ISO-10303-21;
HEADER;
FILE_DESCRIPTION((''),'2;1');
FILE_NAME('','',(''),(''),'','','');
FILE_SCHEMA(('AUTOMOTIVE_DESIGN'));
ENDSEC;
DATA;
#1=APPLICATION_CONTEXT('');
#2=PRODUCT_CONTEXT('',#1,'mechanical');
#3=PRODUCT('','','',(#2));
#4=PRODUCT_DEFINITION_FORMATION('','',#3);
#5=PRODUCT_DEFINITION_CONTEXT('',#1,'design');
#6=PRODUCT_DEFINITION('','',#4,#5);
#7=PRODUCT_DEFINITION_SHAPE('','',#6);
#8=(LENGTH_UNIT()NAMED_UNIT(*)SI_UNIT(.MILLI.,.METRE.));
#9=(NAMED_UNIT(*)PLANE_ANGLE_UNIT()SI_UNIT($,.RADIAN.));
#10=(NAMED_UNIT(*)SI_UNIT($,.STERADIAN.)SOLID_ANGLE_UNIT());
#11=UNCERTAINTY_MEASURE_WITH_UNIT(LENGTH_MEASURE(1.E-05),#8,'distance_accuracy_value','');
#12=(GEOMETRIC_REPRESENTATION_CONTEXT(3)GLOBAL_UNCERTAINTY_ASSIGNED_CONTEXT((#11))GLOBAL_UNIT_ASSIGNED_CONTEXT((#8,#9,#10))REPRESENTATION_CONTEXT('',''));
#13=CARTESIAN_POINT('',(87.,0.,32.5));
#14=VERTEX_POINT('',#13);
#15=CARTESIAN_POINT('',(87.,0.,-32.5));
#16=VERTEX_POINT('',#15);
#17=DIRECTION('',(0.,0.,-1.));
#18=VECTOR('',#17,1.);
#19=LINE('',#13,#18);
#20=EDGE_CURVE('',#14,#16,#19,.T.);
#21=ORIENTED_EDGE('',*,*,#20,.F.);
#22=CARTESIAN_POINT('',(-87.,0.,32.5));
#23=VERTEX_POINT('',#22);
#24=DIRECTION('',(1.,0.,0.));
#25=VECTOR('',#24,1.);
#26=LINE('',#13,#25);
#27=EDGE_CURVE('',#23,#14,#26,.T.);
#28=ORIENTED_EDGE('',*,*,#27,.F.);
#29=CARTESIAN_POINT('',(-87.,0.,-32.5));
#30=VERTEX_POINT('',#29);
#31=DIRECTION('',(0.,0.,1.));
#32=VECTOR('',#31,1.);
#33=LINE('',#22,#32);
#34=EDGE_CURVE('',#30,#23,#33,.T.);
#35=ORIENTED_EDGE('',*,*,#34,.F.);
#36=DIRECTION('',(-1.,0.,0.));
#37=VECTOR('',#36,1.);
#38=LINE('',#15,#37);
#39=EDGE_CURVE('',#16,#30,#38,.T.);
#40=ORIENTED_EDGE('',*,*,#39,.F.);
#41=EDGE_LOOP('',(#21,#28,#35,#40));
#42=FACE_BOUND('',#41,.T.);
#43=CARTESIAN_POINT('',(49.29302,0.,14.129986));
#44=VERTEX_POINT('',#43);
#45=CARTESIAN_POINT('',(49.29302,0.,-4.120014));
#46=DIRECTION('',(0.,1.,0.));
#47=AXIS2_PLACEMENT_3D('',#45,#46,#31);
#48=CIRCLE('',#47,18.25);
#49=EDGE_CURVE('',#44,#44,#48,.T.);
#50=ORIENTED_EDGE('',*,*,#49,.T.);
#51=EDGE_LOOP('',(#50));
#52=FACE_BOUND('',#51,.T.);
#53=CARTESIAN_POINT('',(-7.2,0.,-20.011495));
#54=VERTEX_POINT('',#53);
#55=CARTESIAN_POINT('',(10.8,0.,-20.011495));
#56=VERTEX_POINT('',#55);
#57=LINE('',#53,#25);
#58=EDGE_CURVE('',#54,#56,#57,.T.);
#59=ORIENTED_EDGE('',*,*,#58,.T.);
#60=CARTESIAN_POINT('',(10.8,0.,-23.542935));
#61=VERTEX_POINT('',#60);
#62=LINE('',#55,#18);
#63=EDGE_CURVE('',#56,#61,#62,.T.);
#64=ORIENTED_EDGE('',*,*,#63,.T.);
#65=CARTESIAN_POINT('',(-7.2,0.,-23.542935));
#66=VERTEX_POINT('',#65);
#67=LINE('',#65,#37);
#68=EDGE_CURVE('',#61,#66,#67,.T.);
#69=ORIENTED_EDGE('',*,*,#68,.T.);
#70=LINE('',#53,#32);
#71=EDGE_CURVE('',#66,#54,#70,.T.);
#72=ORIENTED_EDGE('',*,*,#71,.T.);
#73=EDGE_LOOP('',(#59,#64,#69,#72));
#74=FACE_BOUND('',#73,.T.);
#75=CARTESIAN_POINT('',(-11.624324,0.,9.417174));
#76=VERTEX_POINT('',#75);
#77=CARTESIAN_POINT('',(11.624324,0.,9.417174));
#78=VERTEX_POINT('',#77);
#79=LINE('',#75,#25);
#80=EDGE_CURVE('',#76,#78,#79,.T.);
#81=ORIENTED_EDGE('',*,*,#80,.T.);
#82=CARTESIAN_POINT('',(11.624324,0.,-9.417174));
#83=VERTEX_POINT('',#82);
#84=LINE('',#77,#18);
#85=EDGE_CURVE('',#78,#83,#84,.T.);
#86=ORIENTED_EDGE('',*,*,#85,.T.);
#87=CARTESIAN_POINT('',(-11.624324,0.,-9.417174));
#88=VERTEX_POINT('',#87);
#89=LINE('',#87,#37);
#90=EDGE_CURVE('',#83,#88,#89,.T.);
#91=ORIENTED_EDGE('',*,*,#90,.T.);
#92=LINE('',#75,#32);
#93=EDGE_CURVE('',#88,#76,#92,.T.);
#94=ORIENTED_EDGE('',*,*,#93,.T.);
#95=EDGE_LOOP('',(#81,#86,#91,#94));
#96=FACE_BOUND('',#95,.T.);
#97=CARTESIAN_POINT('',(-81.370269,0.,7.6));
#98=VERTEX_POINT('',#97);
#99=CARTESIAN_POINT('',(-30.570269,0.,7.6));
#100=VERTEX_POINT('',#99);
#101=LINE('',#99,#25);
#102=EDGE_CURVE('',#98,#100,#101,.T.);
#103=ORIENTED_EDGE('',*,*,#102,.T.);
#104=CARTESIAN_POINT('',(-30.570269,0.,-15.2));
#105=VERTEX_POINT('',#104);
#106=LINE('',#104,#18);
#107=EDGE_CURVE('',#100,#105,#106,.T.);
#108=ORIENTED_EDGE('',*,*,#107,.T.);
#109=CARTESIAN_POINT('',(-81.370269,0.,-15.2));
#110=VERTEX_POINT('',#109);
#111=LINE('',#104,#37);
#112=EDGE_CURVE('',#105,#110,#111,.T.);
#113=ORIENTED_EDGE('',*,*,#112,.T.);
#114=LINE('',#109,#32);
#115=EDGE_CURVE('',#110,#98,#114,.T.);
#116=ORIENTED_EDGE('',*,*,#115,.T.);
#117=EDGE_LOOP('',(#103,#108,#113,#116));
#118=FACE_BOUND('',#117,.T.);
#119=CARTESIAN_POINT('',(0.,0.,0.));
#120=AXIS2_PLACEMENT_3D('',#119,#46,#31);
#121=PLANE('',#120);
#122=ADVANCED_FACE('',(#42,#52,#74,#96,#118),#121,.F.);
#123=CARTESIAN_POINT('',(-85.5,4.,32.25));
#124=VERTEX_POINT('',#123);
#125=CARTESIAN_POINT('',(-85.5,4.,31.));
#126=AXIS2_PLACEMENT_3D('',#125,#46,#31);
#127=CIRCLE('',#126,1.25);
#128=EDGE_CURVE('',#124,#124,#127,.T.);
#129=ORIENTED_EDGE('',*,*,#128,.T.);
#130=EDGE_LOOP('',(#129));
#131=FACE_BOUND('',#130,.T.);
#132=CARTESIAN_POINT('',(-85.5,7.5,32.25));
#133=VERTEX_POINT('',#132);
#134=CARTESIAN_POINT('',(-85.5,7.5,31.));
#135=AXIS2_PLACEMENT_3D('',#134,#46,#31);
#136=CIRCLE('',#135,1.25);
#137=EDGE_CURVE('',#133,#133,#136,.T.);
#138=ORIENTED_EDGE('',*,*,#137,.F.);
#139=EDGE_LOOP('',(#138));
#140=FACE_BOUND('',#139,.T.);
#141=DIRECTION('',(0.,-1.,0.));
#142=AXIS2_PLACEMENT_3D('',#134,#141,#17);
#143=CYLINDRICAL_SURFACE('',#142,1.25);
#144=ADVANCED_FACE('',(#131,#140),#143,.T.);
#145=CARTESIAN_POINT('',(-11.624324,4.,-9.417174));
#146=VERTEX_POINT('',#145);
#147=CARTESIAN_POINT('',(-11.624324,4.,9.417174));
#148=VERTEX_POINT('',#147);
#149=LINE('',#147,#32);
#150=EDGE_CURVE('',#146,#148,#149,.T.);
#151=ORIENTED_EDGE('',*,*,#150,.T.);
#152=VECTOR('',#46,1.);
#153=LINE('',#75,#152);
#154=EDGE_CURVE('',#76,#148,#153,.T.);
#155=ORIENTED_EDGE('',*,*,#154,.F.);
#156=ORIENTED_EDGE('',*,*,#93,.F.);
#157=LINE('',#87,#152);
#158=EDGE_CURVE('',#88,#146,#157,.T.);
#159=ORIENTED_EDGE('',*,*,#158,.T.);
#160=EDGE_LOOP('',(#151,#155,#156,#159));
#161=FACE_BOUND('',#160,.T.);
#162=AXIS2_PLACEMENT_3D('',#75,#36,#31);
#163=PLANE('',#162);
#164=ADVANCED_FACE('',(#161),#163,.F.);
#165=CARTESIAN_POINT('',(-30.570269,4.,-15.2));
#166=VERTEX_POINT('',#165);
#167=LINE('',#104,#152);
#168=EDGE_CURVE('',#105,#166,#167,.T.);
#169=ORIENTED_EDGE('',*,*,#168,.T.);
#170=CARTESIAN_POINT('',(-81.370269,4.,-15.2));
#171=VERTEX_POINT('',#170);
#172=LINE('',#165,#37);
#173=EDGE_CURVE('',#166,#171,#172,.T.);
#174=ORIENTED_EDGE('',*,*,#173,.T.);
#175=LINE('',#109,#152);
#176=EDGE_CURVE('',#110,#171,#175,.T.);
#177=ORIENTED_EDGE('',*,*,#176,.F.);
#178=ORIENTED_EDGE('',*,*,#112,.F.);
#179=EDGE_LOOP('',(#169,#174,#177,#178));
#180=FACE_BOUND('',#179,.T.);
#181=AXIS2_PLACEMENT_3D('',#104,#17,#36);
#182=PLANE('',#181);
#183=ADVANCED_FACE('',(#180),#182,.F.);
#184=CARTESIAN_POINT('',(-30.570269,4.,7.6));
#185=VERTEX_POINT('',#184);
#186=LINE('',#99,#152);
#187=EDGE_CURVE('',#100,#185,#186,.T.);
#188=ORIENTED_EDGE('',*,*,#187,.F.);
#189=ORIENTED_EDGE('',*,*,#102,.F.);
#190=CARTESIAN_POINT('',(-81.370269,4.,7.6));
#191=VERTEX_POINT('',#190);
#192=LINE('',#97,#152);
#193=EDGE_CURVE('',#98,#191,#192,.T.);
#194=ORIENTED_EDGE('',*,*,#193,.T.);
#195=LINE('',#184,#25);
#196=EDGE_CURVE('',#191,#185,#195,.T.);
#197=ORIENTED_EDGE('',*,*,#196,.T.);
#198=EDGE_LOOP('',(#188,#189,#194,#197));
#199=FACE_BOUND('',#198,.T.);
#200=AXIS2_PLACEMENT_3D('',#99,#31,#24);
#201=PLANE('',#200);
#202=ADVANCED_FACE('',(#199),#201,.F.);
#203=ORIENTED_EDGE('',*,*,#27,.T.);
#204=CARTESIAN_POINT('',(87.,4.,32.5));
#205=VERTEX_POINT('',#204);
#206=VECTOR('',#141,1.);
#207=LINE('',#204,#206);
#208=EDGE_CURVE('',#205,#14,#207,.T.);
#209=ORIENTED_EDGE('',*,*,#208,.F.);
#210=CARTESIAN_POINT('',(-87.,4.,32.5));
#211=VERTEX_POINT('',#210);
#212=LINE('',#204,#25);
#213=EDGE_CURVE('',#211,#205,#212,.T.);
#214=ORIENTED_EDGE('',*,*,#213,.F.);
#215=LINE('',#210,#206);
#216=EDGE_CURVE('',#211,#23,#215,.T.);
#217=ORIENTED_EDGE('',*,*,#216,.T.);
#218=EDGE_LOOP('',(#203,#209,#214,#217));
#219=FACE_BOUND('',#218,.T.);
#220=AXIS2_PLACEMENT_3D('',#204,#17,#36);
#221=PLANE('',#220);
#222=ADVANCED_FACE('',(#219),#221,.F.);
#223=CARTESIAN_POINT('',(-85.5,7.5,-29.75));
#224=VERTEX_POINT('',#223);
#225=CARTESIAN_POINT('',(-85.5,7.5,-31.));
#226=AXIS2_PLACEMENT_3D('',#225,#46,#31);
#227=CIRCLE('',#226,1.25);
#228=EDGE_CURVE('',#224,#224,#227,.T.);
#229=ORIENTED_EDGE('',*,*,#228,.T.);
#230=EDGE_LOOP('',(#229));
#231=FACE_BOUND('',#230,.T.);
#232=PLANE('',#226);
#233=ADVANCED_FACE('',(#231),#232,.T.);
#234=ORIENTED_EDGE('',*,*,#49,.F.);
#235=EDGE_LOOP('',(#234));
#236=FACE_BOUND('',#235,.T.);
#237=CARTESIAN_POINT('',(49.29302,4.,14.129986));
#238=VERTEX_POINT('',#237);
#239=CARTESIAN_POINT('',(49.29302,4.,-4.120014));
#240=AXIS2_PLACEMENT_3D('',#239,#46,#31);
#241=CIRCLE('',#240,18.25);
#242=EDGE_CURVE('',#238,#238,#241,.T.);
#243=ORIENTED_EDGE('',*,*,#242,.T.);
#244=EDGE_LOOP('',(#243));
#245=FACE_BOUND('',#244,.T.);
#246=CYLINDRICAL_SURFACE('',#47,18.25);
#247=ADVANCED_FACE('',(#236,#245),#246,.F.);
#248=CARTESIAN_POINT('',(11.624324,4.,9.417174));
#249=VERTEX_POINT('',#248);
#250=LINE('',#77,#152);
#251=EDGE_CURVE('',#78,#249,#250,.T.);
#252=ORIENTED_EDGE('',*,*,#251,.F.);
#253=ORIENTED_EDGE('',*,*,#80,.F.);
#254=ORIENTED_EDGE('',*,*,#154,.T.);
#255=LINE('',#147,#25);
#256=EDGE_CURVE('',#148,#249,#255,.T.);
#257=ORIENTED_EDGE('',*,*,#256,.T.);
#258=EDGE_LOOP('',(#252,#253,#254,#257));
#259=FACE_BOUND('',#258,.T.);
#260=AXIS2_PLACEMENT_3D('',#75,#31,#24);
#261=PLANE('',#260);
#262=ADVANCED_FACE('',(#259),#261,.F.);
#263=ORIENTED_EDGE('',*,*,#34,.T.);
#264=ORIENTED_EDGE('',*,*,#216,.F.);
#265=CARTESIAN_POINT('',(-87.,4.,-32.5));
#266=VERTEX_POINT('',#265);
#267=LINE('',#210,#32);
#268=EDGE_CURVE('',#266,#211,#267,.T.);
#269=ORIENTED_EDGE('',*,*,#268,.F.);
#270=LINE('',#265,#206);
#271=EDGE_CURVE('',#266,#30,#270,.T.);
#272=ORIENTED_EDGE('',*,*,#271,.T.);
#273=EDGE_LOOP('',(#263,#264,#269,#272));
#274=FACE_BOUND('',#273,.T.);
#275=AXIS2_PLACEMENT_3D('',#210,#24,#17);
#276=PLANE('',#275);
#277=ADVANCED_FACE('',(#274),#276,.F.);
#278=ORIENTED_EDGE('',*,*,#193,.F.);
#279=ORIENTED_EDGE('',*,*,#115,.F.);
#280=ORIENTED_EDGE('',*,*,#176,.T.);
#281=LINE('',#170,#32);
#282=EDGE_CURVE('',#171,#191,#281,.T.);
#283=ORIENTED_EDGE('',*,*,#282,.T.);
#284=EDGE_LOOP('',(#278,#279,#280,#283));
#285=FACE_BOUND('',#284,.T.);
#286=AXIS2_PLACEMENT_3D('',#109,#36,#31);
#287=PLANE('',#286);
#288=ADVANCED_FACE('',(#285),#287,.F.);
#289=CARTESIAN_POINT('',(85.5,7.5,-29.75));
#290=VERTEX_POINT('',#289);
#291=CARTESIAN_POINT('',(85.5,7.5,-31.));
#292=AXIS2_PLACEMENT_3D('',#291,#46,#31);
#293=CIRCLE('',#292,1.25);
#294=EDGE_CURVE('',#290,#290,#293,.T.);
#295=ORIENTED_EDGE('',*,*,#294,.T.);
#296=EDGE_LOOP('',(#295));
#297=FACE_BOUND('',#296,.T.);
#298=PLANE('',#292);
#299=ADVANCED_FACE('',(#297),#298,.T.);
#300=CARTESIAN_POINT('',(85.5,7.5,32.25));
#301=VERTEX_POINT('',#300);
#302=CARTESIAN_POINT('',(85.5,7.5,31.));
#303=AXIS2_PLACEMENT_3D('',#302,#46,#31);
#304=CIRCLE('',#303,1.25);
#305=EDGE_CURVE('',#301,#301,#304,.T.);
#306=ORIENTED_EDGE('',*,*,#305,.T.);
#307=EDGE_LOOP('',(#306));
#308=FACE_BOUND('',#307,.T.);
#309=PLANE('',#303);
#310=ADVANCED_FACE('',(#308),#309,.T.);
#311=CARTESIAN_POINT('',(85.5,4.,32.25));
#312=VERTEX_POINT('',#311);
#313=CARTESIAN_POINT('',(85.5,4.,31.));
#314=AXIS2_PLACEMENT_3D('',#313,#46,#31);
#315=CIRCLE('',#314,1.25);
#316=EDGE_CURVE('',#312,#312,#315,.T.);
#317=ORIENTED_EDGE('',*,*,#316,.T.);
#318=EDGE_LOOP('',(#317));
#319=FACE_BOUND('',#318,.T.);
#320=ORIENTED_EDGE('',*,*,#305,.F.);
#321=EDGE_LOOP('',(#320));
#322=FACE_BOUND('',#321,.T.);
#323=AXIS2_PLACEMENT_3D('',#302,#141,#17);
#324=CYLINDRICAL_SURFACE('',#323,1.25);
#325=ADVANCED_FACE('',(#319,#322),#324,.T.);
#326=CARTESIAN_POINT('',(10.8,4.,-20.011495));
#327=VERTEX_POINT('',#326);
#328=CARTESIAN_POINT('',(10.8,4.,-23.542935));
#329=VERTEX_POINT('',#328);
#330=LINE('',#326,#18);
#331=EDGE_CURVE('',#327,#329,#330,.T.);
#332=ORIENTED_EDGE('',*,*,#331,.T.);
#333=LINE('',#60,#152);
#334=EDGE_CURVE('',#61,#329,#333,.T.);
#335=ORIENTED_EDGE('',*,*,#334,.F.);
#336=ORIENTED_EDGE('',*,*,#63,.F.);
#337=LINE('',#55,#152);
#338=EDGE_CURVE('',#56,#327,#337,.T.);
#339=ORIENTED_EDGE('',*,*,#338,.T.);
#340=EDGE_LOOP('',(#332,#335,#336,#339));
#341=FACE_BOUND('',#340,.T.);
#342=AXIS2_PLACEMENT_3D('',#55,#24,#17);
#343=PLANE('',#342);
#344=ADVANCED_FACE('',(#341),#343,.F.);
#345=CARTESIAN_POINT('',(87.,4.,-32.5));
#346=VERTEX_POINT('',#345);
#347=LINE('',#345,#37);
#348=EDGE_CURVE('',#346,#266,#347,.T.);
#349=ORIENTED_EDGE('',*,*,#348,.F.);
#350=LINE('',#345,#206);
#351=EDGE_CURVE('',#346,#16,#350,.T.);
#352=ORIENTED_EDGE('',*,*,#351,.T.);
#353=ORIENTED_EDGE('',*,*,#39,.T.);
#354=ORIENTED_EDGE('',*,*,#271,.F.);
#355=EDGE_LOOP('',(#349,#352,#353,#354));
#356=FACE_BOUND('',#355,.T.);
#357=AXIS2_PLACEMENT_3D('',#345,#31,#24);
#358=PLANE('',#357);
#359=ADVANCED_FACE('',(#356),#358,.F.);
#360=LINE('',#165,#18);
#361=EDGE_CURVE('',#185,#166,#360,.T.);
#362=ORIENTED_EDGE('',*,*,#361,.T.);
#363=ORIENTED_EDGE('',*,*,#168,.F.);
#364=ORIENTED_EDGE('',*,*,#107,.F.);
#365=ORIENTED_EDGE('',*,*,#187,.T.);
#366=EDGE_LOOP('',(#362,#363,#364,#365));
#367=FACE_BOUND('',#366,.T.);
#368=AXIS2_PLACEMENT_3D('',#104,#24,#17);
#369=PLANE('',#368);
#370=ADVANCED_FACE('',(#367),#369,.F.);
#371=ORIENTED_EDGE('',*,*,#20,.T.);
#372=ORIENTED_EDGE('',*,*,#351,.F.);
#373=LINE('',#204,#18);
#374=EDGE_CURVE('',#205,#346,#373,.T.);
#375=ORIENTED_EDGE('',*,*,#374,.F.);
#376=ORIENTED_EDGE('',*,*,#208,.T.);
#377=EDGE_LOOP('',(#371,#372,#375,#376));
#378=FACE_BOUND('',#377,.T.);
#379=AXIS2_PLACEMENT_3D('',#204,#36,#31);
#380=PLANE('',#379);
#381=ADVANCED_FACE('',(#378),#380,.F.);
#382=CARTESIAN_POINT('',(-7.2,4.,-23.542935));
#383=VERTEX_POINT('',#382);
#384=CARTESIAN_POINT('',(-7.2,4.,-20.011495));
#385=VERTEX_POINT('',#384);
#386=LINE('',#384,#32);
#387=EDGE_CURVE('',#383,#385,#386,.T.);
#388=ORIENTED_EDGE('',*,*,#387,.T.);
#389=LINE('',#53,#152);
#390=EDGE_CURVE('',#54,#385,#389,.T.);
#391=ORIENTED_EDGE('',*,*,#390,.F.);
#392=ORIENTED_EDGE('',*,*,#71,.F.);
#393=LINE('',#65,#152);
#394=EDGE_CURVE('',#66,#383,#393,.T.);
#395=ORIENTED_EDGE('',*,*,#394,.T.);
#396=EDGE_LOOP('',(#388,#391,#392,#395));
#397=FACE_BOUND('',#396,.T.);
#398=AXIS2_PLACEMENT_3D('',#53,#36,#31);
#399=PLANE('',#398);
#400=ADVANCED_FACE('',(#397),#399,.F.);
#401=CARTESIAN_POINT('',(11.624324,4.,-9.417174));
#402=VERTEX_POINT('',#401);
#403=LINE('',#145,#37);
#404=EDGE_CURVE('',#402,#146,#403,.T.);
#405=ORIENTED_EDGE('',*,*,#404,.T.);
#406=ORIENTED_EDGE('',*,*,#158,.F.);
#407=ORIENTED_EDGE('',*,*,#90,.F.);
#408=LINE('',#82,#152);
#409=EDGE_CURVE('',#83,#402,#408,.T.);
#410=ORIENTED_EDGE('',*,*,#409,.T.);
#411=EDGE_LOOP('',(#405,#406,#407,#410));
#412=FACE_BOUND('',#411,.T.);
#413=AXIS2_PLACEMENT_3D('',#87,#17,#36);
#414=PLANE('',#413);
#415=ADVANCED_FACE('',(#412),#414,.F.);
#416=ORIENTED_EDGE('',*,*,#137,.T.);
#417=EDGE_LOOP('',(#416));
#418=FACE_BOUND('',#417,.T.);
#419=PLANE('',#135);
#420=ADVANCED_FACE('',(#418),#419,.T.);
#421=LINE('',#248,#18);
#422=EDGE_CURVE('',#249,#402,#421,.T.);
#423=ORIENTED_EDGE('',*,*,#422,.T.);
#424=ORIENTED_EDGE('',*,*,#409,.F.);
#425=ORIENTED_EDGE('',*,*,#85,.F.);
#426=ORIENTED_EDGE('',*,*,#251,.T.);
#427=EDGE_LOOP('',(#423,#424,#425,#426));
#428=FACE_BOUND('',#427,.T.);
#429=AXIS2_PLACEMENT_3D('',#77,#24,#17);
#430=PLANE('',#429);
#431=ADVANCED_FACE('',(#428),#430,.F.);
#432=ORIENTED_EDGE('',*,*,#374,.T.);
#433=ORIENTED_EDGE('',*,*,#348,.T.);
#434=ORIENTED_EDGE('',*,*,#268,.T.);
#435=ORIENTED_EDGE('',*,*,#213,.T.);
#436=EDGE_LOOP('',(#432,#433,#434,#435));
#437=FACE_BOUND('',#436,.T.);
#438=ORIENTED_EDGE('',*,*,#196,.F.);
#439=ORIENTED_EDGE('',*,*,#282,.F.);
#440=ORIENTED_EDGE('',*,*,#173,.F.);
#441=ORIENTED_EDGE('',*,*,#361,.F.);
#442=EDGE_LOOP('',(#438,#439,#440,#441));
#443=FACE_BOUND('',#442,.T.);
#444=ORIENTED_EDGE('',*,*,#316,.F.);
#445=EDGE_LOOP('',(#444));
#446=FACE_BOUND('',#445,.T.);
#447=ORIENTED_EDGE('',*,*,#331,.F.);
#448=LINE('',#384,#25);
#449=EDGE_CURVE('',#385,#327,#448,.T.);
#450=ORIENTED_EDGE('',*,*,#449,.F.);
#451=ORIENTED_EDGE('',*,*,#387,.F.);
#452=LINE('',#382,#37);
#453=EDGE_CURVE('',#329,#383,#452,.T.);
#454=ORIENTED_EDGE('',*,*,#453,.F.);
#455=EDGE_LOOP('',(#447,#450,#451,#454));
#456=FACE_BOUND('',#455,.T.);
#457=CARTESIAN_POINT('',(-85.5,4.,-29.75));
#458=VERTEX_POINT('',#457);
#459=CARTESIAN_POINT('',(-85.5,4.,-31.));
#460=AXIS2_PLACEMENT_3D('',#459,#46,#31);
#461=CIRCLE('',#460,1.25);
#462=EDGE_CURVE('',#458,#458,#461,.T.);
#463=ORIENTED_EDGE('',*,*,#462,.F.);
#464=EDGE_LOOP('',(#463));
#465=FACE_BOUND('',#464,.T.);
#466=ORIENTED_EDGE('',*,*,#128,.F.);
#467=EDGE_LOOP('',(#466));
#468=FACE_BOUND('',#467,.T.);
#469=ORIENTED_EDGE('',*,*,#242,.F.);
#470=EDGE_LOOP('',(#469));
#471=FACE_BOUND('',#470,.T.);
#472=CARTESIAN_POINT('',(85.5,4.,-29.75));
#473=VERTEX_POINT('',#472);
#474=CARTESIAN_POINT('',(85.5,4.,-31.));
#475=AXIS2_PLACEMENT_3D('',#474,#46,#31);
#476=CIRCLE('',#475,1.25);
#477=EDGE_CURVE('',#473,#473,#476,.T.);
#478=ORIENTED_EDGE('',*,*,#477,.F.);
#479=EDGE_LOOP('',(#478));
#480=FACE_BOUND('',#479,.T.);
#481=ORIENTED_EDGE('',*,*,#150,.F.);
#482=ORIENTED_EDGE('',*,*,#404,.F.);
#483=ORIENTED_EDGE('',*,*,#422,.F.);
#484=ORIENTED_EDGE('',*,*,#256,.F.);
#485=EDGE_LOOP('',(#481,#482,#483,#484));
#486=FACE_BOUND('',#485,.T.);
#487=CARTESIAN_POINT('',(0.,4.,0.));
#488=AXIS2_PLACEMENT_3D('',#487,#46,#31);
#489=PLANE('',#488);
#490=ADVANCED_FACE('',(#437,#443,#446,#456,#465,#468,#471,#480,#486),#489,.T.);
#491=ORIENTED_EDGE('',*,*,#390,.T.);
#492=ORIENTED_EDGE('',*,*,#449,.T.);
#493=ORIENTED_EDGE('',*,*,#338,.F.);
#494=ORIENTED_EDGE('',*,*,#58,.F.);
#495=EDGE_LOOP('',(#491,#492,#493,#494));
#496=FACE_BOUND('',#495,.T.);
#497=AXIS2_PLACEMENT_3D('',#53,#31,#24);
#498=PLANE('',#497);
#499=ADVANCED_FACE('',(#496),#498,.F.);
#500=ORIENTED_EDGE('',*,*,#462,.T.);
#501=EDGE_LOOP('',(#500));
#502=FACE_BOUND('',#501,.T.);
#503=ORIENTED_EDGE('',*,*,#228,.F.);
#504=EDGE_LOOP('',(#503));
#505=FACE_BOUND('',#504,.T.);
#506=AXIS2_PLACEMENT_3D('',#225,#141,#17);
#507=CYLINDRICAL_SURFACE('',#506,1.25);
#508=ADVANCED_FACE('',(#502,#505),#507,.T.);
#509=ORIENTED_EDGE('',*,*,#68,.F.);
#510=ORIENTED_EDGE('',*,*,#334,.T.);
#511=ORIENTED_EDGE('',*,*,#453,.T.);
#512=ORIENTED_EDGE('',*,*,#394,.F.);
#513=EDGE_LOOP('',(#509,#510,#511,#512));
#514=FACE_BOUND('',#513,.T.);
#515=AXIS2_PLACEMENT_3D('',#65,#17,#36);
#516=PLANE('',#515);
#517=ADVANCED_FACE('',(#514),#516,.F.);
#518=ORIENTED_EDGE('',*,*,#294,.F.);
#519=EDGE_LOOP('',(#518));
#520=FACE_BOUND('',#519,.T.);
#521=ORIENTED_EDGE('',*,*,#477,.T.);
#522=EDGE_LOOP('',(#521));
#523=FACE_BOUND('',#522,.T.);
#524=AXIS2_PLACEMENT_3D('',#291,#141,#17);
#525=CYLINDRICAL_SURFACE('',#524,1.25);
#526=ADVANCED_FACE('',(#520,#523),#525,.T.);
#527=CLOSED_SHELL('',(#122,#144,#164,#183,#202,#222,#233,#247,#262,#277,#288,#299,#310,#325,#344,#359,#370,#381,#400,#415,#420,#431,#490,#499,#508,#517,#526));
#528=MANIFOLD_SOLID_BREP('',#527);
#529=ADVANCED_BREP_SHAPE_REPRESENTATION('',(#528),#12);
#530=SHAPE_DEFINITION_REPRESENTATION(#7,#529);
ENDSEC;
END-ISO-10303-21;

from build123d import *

# Parameters (mm, degrees)
SKETCH1_W           = 174
SKETCH1_H           = 65
BOSS_EXTRUDE1_DEPTH = 4
SKETCH2_R           = 18.25
CUT_EXTRUDE1_DEPTH  = 4
SKETCH4_W           = 50.8
SKETCH4_H           = 22.8
CUT_EXTRUDE2_DEPTH  = 4
SKETCH5_W           = 18
SKETCH5_H           = 3.531440261
CUT_EXTRUDE3_DEPTH  = 4
SKETCH9_W           = 23.248648384
SKETCH9_H           = 18.834348058
CUT_EXTRUDE4_DEPTH  = 4
SKETCH10_R          = 1.25
BOSS_EXTRUDE2_DEPTH = 3.5
SKETCH12_R          = 1.25
BOSS_EXTRUDE3_DEPTH = 3.5


with BuildPart() as part:
    # Sketch1 → Boss-Extrude1 (new body)
    with BuildSketch(Plane(origin=(0, 0, 0), x_dir=(1, 0, 0), z_dir=(0, 1, 0))):
        Rectangle(SKETCH1_W, SKETCH1_H)
    extrude(amount=BOSS_EXTRUDE1_DEPTH)

    # Sketch2 → Cut-Extrude1 (cut)
    with BuildSketch(Plane(origin=(0, 4, 0), x_dir=(1, 0, 0), z_dir=(0, 1, 0))):
        with Locations((49.293020306, 4.120013638)):
            Circle(SKETCH2_R)
    extrude(amount=-CUT_EXTRUDE1_DEPTH, mode=Mode.SUBTRACT)

    # Sketch4 → Cut-Extrude2 (cut)
    with BuildSketch(Plane(origin=(0, 4, 0), x_dir=(1, 0, 0), z_dir=(0, 1, 0))):
        with Locations((-55.970269341, 3.8)):
            Rectangle(SKETCH4_W, SKETCH4_H)
    extrude(amount=-CUT_EXTRUDE2_DEPTH, mode=Mode.SUBTRACT)

    # Sketch5 → Cut-Extrude3 (cut)
    with BuildSketch(Plane(origin=(0, 4, 0), x_dir=(1, 0, 0), z_dir=(0, 1, 0))):
        with Locations((1.8, 21.777214942)):
            Rectangle(SKETCH5_W, SKETCH5_H)
    extrude(amount=-CUT_EXTRUDE3_DEPTH, mode=Mode.SUBTRACT)

    # Sketch9 → Cut-Extrude4 (cut)
    with BuildSketch(Plane(origin=(0, 4, 0), x_dir=(1, 0, 0), z_dir=(0, 1, 0))):
        Rectangle(SKETCH9_W, SKETCH9_H)
    extrude(amount=-CUT_EXTRUDE4_DEPTH, mode=Mode.SUBTRACT)

    # Sketch10 → Boss-Extrude2 (add)
    with BuildSketch(Plane(origin=(0, 4, 0), x_dir=(1, 0, 0), z_dir=(0, 1, 0))):
        with Locations((-85.5, 31)):
            Circle(SKETCH10_R)
        with Locations((-85.5, -31)):
            Circle(SKETCH10_R)
    extrude(amount=BOSS_EXTRUDE2_DEPTH)

    # Sketch12 → Boss-Extrude3 (add)
    with BuildSketch(Plane(origin=(0, 4, 0), x_dir=(1, 0, 0), z_dir=(0, 1, 0))):
        with Locations((85.5, 31)):
            Circle(SKETCH12_R)
        with Locations((85.5, -31)):
            Circle(SKETCH12_R)
    extrude(amount=BOSS_EXTRUDE3_DEPTH)


solid = part.part
